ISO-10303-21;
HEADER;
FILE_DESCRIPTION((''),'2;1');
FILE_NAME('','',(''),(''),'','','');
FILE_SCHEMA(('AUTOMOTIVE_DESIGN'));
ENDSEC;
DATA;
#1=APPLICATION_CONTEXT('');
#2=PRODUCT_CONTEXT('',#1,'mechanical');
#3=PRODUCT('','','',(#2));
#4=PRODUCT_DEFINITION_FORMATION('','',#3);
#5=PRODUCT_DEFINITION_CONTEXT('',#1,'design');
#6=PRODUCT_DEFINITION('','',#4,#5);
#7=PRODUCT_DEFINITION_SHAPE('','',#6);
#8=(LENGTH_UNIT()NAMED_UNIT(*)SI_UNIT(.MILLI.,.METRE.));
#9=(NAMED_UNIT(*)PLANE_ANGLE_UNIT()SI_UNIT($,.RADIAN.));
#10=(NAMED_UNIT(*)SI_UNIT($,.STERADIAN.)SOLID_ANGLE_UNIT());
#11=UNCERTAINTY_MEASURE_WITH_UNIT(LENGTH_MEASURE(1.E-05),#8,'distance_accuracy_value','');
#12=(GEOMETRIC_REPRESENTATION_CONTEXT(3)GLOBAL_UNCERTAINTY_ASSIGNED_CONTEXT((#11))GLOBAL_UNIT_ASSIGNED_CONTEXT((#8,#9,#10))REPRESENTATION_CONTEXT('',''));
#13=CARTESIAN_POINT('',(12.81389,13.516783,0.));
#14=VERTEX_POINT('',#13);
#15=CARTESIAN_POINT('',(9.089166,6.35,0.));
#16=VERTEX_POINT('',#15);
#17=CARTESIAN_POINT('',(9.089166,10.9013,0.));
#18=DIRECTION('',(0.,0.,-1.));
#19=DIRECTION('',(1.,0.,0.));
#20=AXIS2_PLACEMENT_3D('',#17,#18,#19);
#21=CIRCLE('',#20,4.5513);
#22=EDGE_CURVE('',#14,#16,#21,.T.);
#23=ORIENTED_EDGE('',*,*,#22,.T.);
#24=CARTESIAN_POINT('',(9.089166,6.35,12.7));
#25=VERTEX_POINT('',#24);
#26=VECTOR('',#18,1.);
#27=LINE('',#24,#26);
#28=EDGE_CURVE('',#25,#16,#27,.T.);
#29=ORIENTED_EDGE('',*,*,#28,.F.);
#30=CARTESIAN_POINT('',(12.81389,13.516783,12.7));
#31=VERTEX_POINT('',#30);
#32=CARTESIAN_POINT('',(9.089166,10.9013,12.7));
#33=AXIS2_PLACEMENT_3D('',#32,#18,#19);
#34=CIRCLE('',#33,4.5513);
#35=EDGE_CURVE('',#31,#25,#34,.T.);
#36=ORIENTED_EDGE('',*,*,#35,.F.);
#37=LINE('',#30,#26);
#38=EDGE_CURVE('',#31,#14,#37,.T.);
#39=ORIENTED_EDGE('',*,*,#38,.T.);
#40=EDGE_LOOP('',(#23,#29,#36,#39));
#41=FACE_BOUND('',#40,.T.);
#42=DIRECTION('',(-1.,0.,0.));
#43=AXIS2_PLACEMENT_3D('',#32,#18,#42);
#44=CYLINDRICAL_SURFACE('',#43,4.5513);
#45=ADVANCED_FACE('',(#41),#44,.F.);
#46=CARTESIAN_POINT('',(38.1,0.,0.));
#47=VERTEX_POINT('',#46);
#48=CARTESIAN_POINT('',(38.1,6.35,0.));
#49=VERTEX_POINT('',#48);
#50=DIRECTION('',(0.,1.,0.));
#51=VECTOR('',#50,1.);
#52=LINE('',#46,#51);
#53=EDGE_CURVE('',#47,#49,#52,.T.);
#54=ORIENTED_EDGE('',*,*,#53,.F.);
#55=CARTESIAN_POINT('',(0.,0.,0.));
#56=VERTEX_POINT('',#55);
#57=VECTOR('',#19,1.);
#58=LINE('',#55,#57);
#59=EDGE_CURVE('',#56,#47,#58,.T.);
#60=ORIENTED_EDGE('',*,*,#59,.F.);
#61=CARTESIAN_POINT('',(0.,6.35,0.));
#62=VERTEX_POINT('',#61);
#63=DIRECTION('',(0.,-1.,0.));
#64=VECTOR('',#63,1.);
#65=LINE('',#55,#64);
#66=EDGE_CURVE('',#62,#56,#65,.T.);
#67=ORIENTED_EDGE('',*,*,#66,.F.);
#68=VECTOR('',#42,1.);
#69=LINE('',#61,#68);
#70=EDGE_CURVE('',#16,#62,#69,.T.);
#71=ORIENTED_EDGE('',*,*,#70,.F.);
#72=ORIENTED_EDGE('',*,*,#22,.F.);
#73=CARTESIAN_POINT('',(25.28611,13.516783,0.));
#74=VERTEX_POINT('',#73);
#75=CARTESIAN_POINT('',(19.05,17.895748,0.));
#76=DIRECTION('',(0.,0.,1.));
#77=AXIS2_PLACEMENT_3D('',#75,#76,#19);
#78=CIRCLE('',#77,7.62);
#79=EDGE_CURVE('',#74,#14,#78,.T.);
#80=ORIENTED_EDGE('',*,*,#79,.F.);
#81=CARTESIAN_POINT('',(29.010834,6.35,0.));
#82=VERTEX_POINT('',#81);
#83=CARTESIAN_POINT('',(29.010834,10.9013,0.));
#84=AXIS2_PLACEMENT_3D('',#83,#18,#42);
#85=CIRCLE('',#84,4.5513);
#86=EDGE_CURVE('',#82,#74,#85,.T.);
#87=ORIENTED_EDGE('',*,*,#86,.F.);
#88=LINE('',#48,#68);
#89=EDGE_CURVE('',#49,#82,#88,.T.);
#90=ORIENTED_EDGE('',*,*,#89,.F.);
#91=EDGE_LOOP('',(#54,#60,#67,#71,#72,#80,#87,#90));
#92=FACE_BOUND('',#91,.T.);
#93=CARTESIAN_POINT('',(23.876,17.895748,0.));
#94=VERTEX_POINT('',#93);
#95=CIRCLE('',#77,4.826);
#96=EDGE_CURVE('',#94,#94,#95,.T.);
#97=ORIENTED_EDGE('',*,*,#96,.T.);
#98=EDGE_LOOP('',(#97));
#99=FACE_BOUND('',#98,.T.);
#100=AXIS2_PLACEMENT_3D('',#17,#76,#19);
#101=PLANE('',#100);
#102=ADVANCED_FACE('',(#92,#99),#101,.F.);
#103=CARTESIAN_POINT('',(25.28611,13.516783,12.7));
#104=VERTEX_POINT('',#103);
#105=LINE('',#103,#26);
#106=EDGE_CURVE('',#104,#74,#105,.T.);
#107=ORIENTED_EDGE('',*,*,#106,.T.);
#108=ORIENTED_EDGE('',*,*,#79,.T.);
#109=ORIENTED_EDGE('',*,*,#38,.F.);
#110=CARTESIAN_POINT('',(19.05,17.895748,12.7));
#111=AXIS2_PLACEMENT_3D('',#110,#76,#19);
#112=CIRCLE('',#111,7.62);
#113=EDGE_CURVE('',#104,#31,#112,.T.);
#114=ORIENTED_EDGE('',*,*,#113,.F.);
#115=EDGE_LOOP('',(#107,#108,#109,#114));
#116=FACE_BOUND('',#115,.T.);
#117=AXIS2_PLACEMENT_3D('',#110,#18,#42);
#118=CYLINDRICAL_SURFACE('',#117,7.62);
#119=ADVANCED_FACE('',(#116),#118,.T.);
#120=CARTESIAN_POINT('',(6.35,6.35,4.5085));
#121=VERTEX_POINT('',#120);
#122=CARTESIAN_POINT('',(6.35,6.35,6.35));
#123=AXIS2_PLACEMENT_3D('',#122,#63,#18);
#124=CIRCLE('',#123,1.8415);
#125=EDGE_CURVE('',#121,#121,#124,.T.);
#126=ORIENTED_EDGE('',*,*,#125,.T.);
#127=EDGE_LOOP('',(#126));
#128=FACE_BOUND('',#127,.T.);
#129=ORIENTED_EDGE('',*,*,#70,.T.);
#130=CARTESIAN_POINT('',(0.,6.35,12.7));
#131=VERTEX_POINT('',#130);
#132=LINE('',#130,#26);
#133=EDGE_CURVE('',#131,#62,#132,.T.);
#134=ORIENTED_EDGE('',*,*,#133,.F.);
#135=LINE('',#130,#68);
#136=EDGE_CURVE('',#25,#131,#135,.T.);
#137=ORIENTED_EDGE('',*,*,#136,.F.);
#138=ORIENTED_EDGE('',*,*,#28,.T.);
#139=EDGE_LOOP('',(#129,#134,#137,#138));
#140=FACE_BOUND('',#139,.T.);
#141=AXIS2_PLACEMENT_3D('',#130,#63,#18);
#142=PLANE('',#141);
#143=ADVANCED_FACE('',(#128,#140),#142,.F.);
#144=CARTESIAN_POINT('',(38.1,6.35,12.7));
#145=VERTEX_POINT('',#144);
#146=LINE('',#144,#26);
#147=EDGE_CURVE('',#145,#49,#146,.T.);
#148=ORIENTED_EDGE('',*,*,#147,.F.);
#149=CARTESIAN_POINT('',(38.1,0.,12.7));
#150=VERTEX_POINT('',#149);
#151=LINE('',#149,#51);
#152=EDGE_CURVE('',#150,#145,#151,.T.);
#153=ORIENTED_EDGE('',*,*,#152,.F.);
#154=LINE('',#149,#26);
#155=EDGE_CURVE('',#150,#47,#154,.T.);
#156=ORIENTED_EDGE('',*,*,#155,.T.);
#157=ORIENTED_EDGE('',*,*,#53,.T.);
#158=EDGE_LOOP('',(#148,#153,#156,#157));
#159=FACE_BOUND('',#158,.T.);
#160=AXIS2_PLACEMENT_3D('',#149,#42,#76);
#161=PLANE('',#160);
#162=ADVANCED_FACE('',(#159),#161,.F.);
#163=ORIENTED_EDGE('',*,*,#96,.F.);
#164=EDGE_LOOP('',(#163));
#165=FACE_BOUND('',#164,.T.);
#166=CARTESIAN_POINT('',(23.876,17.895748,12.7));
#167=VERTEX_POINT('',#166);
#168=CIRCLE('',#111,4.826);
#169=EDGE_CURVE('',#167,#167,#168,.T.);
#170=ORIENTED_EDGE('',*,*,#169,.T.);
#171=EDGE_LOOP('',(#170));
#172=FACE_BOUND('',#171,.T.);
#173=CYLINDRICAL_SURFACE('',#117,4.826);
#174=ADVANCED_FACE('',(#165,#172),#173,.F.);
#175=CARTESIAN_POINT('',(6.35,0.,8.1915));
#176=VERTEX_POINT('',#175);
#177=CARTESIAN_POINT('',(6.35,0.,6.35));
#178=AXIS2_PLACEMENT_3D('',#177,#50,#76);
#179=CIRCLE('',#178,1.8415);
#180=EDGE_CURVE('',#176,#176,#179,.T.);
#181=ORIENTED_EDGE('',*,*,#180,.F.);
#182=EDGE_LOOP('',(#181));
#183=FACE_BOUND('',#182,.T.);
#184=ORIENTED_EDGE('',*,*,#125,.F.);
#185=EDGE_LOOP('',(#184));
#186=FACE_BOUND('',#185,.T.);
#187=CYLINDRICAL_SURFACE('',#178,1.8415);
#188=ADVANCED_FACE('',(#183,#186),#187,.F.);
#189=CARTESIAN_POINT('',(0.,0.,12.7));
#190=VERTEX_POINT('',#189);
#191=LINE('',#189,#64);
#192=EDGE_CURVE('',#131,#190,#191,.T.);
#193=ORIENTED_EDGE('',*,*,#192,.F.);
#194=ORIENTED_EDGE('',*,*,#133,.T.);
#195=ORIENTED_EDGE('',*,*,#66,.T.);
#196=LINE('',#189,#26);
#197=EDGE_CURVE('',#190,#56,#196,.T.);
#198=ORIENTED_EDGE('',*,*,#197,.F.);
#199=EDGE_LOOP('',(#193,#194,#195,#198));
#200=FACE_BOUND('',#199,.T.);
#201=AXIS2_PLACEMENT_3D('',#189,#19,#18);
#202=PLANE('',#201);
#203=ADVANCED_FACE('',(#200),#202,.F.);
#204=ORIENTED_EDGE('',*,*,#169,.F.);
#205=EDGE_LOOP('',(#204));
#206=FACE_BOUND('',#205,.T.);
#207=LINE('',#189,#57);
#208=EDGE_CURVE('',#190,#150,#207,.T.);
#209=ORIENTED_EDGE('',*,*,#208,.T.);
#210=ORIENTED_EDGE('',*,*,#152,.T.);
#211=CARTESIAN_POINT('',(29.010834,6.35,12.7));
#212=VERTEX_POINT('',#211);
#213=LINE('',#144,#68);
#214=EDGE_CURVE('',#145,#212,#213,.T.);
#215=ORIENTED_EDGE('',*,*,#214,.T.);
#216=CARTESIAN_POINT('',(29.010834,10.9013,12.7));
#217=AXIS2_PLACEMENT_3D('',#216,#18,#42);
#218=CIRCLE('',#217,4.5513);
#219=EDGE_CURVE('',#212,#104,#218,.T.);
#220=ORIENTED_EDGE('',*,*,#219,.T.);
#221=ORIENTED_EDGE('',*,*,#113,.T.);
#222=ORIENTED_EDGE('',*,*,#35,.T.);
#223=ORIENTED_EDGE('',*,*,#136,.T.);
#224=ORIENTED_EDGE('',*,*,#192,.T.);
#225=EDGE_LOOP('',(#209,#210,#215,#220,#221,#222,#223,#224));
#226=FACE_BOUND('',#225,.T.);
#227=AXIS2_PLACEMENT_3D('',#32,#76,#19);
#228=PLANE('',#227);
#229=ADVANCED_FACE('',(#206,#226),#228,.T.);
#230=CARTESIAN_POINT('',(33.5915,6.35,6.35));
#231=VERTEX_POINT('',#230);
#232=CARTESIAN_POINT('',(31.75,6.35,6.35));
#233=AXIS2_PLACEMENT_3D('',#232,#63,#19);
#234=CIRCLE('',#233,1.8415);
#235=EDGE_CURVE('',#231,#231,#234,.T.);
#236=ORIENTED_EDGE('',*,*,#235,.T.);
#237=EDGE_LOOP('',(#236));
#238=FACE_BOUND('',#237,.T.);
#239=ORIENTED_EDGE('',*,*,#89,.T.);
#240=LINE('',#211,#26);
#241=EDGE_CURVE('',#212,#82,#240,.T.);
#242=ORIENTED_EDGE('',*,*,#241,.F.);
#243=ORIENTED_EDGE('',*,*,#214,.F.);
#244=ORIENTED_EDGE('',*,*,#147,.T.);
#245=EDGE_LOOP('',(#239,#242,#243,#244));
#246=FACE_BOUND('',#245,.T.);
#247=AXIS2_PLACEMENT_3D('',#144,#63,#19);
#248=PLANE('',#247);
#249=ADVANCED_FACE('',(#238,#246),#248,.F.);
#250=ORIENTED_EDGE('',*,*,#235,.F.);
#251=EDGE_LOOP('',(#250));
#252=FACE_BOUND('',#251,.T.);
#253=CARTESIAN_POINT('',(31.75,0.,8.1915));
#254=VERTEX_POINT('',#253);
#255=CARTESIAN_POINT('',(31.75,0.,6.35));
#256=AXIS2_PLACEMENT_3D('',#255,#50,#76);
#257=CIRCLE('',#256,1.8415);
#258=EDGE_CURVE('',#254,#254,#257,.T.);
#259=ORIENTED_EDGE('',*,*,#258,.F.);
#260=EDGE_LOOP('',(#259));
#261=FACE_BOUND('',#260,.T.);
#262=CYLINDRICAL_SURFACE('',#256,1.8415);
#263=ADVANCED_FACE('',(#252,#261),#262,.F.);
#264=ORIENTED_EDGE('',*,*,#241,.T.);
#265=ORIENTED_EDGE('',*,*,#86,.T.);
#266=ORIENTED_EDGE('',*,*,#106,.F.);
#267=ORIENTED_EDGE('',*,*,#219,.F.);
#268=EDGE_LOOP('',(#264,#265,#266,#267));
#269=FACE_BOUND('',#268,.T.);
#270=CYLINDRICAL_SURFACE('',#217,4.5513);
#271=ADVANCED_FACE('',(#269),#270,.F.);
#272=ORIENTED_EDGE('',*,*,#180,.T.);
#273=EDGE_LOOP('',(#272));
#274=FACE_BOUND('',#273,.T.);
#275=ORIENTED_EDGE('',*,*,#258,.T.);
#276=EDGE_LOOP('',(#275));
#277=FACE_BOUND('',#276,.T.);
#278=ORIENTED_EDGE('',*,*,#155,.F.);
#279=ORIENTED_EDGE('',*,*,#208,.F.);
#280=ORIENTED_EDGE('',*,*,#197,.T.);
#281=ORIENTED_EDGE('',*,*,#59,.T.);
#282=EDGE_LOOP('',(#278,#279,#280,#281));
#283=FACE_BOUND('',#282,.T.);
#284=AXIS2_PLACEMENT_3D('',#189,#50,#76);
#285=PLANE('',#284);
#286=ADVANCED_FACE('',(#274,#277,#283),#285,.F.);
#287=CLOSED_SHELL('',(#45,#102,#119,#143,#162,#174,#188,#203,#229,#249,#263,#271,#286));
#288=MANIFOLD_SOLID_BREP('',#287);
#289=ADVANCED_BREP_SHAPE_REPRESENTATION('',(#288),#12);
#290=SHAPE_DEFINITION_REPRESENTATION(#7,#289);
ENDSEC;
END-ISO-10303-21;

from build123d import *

# Parameters (mm, degrees)
SKETCH1_R               = 4.826
BOSS_EXTRUDE1_DEPTH     = 12.7
SKETCH2_R               = 1.8415
CUT_EXTRUDE1_DEPTH      = 20.165748301
CUT_EXTRUDE1_DEPTH_BACK = 7.35


with BuildPart() as part:
    # Sketch1 → Boss-Extrude1 (new body)
    with BuildSketch(Plane.XY):
        with BuildLine():
            Line((0, 0), (38.1, 0))
            Line((38.1, 0), (38.1, 6.35))
            Line((38.1, 6.35), (29.010834454, 6.35))
            ThreePointArc((29.010834454, 6.35), (24.972383208, 8.802433287), (25.286109599, 13.516783004))
            ThreePointArc((25.286109599, 13.516783004), (19.05, 25.515748301), (12.813890401, 13.516783004))
            ThreePointArc((12.813890401, 13.516783004), (13.127616792, 8.802433287), (9.089165546, 6.35))
            Line((9.089165546, 6.35), (0, 6.35))
            Line((0, 6.35), (0, 0))
        make_face()
        with Locations((19.05, 17.895748301)):
            Circle(SKETCH1_R, mode=Mode.SUBTRACT)
    extrude(amount=BOSS_EXTRUDE1_DEPTH)

    # Sketch2 → Cut-Extrude1 (cut, two sides)
    with BuildSketch(Plane(origin=(0, 6.35, 0), x_dir=(1, 0, 0), z_dir=(0, 1, 0))) as cut_extrude1_sk:
        with Locations((6.35, -6.35)):
            Circle(SKETCH2_R)
        with Locations((31.75, -6.35)):
            Circle(SKETCH2_R)
    extrude(amount=CUT_EXTRUDE1_DEPTH, mode=Mode.SUBTRACT)
    extrude(cut_extrude1_sk.sketch, amount=-CUT_EXTRUDE1_DEPTH_BACK, mode=Mode.SUBTRACT)


solid = part.part
